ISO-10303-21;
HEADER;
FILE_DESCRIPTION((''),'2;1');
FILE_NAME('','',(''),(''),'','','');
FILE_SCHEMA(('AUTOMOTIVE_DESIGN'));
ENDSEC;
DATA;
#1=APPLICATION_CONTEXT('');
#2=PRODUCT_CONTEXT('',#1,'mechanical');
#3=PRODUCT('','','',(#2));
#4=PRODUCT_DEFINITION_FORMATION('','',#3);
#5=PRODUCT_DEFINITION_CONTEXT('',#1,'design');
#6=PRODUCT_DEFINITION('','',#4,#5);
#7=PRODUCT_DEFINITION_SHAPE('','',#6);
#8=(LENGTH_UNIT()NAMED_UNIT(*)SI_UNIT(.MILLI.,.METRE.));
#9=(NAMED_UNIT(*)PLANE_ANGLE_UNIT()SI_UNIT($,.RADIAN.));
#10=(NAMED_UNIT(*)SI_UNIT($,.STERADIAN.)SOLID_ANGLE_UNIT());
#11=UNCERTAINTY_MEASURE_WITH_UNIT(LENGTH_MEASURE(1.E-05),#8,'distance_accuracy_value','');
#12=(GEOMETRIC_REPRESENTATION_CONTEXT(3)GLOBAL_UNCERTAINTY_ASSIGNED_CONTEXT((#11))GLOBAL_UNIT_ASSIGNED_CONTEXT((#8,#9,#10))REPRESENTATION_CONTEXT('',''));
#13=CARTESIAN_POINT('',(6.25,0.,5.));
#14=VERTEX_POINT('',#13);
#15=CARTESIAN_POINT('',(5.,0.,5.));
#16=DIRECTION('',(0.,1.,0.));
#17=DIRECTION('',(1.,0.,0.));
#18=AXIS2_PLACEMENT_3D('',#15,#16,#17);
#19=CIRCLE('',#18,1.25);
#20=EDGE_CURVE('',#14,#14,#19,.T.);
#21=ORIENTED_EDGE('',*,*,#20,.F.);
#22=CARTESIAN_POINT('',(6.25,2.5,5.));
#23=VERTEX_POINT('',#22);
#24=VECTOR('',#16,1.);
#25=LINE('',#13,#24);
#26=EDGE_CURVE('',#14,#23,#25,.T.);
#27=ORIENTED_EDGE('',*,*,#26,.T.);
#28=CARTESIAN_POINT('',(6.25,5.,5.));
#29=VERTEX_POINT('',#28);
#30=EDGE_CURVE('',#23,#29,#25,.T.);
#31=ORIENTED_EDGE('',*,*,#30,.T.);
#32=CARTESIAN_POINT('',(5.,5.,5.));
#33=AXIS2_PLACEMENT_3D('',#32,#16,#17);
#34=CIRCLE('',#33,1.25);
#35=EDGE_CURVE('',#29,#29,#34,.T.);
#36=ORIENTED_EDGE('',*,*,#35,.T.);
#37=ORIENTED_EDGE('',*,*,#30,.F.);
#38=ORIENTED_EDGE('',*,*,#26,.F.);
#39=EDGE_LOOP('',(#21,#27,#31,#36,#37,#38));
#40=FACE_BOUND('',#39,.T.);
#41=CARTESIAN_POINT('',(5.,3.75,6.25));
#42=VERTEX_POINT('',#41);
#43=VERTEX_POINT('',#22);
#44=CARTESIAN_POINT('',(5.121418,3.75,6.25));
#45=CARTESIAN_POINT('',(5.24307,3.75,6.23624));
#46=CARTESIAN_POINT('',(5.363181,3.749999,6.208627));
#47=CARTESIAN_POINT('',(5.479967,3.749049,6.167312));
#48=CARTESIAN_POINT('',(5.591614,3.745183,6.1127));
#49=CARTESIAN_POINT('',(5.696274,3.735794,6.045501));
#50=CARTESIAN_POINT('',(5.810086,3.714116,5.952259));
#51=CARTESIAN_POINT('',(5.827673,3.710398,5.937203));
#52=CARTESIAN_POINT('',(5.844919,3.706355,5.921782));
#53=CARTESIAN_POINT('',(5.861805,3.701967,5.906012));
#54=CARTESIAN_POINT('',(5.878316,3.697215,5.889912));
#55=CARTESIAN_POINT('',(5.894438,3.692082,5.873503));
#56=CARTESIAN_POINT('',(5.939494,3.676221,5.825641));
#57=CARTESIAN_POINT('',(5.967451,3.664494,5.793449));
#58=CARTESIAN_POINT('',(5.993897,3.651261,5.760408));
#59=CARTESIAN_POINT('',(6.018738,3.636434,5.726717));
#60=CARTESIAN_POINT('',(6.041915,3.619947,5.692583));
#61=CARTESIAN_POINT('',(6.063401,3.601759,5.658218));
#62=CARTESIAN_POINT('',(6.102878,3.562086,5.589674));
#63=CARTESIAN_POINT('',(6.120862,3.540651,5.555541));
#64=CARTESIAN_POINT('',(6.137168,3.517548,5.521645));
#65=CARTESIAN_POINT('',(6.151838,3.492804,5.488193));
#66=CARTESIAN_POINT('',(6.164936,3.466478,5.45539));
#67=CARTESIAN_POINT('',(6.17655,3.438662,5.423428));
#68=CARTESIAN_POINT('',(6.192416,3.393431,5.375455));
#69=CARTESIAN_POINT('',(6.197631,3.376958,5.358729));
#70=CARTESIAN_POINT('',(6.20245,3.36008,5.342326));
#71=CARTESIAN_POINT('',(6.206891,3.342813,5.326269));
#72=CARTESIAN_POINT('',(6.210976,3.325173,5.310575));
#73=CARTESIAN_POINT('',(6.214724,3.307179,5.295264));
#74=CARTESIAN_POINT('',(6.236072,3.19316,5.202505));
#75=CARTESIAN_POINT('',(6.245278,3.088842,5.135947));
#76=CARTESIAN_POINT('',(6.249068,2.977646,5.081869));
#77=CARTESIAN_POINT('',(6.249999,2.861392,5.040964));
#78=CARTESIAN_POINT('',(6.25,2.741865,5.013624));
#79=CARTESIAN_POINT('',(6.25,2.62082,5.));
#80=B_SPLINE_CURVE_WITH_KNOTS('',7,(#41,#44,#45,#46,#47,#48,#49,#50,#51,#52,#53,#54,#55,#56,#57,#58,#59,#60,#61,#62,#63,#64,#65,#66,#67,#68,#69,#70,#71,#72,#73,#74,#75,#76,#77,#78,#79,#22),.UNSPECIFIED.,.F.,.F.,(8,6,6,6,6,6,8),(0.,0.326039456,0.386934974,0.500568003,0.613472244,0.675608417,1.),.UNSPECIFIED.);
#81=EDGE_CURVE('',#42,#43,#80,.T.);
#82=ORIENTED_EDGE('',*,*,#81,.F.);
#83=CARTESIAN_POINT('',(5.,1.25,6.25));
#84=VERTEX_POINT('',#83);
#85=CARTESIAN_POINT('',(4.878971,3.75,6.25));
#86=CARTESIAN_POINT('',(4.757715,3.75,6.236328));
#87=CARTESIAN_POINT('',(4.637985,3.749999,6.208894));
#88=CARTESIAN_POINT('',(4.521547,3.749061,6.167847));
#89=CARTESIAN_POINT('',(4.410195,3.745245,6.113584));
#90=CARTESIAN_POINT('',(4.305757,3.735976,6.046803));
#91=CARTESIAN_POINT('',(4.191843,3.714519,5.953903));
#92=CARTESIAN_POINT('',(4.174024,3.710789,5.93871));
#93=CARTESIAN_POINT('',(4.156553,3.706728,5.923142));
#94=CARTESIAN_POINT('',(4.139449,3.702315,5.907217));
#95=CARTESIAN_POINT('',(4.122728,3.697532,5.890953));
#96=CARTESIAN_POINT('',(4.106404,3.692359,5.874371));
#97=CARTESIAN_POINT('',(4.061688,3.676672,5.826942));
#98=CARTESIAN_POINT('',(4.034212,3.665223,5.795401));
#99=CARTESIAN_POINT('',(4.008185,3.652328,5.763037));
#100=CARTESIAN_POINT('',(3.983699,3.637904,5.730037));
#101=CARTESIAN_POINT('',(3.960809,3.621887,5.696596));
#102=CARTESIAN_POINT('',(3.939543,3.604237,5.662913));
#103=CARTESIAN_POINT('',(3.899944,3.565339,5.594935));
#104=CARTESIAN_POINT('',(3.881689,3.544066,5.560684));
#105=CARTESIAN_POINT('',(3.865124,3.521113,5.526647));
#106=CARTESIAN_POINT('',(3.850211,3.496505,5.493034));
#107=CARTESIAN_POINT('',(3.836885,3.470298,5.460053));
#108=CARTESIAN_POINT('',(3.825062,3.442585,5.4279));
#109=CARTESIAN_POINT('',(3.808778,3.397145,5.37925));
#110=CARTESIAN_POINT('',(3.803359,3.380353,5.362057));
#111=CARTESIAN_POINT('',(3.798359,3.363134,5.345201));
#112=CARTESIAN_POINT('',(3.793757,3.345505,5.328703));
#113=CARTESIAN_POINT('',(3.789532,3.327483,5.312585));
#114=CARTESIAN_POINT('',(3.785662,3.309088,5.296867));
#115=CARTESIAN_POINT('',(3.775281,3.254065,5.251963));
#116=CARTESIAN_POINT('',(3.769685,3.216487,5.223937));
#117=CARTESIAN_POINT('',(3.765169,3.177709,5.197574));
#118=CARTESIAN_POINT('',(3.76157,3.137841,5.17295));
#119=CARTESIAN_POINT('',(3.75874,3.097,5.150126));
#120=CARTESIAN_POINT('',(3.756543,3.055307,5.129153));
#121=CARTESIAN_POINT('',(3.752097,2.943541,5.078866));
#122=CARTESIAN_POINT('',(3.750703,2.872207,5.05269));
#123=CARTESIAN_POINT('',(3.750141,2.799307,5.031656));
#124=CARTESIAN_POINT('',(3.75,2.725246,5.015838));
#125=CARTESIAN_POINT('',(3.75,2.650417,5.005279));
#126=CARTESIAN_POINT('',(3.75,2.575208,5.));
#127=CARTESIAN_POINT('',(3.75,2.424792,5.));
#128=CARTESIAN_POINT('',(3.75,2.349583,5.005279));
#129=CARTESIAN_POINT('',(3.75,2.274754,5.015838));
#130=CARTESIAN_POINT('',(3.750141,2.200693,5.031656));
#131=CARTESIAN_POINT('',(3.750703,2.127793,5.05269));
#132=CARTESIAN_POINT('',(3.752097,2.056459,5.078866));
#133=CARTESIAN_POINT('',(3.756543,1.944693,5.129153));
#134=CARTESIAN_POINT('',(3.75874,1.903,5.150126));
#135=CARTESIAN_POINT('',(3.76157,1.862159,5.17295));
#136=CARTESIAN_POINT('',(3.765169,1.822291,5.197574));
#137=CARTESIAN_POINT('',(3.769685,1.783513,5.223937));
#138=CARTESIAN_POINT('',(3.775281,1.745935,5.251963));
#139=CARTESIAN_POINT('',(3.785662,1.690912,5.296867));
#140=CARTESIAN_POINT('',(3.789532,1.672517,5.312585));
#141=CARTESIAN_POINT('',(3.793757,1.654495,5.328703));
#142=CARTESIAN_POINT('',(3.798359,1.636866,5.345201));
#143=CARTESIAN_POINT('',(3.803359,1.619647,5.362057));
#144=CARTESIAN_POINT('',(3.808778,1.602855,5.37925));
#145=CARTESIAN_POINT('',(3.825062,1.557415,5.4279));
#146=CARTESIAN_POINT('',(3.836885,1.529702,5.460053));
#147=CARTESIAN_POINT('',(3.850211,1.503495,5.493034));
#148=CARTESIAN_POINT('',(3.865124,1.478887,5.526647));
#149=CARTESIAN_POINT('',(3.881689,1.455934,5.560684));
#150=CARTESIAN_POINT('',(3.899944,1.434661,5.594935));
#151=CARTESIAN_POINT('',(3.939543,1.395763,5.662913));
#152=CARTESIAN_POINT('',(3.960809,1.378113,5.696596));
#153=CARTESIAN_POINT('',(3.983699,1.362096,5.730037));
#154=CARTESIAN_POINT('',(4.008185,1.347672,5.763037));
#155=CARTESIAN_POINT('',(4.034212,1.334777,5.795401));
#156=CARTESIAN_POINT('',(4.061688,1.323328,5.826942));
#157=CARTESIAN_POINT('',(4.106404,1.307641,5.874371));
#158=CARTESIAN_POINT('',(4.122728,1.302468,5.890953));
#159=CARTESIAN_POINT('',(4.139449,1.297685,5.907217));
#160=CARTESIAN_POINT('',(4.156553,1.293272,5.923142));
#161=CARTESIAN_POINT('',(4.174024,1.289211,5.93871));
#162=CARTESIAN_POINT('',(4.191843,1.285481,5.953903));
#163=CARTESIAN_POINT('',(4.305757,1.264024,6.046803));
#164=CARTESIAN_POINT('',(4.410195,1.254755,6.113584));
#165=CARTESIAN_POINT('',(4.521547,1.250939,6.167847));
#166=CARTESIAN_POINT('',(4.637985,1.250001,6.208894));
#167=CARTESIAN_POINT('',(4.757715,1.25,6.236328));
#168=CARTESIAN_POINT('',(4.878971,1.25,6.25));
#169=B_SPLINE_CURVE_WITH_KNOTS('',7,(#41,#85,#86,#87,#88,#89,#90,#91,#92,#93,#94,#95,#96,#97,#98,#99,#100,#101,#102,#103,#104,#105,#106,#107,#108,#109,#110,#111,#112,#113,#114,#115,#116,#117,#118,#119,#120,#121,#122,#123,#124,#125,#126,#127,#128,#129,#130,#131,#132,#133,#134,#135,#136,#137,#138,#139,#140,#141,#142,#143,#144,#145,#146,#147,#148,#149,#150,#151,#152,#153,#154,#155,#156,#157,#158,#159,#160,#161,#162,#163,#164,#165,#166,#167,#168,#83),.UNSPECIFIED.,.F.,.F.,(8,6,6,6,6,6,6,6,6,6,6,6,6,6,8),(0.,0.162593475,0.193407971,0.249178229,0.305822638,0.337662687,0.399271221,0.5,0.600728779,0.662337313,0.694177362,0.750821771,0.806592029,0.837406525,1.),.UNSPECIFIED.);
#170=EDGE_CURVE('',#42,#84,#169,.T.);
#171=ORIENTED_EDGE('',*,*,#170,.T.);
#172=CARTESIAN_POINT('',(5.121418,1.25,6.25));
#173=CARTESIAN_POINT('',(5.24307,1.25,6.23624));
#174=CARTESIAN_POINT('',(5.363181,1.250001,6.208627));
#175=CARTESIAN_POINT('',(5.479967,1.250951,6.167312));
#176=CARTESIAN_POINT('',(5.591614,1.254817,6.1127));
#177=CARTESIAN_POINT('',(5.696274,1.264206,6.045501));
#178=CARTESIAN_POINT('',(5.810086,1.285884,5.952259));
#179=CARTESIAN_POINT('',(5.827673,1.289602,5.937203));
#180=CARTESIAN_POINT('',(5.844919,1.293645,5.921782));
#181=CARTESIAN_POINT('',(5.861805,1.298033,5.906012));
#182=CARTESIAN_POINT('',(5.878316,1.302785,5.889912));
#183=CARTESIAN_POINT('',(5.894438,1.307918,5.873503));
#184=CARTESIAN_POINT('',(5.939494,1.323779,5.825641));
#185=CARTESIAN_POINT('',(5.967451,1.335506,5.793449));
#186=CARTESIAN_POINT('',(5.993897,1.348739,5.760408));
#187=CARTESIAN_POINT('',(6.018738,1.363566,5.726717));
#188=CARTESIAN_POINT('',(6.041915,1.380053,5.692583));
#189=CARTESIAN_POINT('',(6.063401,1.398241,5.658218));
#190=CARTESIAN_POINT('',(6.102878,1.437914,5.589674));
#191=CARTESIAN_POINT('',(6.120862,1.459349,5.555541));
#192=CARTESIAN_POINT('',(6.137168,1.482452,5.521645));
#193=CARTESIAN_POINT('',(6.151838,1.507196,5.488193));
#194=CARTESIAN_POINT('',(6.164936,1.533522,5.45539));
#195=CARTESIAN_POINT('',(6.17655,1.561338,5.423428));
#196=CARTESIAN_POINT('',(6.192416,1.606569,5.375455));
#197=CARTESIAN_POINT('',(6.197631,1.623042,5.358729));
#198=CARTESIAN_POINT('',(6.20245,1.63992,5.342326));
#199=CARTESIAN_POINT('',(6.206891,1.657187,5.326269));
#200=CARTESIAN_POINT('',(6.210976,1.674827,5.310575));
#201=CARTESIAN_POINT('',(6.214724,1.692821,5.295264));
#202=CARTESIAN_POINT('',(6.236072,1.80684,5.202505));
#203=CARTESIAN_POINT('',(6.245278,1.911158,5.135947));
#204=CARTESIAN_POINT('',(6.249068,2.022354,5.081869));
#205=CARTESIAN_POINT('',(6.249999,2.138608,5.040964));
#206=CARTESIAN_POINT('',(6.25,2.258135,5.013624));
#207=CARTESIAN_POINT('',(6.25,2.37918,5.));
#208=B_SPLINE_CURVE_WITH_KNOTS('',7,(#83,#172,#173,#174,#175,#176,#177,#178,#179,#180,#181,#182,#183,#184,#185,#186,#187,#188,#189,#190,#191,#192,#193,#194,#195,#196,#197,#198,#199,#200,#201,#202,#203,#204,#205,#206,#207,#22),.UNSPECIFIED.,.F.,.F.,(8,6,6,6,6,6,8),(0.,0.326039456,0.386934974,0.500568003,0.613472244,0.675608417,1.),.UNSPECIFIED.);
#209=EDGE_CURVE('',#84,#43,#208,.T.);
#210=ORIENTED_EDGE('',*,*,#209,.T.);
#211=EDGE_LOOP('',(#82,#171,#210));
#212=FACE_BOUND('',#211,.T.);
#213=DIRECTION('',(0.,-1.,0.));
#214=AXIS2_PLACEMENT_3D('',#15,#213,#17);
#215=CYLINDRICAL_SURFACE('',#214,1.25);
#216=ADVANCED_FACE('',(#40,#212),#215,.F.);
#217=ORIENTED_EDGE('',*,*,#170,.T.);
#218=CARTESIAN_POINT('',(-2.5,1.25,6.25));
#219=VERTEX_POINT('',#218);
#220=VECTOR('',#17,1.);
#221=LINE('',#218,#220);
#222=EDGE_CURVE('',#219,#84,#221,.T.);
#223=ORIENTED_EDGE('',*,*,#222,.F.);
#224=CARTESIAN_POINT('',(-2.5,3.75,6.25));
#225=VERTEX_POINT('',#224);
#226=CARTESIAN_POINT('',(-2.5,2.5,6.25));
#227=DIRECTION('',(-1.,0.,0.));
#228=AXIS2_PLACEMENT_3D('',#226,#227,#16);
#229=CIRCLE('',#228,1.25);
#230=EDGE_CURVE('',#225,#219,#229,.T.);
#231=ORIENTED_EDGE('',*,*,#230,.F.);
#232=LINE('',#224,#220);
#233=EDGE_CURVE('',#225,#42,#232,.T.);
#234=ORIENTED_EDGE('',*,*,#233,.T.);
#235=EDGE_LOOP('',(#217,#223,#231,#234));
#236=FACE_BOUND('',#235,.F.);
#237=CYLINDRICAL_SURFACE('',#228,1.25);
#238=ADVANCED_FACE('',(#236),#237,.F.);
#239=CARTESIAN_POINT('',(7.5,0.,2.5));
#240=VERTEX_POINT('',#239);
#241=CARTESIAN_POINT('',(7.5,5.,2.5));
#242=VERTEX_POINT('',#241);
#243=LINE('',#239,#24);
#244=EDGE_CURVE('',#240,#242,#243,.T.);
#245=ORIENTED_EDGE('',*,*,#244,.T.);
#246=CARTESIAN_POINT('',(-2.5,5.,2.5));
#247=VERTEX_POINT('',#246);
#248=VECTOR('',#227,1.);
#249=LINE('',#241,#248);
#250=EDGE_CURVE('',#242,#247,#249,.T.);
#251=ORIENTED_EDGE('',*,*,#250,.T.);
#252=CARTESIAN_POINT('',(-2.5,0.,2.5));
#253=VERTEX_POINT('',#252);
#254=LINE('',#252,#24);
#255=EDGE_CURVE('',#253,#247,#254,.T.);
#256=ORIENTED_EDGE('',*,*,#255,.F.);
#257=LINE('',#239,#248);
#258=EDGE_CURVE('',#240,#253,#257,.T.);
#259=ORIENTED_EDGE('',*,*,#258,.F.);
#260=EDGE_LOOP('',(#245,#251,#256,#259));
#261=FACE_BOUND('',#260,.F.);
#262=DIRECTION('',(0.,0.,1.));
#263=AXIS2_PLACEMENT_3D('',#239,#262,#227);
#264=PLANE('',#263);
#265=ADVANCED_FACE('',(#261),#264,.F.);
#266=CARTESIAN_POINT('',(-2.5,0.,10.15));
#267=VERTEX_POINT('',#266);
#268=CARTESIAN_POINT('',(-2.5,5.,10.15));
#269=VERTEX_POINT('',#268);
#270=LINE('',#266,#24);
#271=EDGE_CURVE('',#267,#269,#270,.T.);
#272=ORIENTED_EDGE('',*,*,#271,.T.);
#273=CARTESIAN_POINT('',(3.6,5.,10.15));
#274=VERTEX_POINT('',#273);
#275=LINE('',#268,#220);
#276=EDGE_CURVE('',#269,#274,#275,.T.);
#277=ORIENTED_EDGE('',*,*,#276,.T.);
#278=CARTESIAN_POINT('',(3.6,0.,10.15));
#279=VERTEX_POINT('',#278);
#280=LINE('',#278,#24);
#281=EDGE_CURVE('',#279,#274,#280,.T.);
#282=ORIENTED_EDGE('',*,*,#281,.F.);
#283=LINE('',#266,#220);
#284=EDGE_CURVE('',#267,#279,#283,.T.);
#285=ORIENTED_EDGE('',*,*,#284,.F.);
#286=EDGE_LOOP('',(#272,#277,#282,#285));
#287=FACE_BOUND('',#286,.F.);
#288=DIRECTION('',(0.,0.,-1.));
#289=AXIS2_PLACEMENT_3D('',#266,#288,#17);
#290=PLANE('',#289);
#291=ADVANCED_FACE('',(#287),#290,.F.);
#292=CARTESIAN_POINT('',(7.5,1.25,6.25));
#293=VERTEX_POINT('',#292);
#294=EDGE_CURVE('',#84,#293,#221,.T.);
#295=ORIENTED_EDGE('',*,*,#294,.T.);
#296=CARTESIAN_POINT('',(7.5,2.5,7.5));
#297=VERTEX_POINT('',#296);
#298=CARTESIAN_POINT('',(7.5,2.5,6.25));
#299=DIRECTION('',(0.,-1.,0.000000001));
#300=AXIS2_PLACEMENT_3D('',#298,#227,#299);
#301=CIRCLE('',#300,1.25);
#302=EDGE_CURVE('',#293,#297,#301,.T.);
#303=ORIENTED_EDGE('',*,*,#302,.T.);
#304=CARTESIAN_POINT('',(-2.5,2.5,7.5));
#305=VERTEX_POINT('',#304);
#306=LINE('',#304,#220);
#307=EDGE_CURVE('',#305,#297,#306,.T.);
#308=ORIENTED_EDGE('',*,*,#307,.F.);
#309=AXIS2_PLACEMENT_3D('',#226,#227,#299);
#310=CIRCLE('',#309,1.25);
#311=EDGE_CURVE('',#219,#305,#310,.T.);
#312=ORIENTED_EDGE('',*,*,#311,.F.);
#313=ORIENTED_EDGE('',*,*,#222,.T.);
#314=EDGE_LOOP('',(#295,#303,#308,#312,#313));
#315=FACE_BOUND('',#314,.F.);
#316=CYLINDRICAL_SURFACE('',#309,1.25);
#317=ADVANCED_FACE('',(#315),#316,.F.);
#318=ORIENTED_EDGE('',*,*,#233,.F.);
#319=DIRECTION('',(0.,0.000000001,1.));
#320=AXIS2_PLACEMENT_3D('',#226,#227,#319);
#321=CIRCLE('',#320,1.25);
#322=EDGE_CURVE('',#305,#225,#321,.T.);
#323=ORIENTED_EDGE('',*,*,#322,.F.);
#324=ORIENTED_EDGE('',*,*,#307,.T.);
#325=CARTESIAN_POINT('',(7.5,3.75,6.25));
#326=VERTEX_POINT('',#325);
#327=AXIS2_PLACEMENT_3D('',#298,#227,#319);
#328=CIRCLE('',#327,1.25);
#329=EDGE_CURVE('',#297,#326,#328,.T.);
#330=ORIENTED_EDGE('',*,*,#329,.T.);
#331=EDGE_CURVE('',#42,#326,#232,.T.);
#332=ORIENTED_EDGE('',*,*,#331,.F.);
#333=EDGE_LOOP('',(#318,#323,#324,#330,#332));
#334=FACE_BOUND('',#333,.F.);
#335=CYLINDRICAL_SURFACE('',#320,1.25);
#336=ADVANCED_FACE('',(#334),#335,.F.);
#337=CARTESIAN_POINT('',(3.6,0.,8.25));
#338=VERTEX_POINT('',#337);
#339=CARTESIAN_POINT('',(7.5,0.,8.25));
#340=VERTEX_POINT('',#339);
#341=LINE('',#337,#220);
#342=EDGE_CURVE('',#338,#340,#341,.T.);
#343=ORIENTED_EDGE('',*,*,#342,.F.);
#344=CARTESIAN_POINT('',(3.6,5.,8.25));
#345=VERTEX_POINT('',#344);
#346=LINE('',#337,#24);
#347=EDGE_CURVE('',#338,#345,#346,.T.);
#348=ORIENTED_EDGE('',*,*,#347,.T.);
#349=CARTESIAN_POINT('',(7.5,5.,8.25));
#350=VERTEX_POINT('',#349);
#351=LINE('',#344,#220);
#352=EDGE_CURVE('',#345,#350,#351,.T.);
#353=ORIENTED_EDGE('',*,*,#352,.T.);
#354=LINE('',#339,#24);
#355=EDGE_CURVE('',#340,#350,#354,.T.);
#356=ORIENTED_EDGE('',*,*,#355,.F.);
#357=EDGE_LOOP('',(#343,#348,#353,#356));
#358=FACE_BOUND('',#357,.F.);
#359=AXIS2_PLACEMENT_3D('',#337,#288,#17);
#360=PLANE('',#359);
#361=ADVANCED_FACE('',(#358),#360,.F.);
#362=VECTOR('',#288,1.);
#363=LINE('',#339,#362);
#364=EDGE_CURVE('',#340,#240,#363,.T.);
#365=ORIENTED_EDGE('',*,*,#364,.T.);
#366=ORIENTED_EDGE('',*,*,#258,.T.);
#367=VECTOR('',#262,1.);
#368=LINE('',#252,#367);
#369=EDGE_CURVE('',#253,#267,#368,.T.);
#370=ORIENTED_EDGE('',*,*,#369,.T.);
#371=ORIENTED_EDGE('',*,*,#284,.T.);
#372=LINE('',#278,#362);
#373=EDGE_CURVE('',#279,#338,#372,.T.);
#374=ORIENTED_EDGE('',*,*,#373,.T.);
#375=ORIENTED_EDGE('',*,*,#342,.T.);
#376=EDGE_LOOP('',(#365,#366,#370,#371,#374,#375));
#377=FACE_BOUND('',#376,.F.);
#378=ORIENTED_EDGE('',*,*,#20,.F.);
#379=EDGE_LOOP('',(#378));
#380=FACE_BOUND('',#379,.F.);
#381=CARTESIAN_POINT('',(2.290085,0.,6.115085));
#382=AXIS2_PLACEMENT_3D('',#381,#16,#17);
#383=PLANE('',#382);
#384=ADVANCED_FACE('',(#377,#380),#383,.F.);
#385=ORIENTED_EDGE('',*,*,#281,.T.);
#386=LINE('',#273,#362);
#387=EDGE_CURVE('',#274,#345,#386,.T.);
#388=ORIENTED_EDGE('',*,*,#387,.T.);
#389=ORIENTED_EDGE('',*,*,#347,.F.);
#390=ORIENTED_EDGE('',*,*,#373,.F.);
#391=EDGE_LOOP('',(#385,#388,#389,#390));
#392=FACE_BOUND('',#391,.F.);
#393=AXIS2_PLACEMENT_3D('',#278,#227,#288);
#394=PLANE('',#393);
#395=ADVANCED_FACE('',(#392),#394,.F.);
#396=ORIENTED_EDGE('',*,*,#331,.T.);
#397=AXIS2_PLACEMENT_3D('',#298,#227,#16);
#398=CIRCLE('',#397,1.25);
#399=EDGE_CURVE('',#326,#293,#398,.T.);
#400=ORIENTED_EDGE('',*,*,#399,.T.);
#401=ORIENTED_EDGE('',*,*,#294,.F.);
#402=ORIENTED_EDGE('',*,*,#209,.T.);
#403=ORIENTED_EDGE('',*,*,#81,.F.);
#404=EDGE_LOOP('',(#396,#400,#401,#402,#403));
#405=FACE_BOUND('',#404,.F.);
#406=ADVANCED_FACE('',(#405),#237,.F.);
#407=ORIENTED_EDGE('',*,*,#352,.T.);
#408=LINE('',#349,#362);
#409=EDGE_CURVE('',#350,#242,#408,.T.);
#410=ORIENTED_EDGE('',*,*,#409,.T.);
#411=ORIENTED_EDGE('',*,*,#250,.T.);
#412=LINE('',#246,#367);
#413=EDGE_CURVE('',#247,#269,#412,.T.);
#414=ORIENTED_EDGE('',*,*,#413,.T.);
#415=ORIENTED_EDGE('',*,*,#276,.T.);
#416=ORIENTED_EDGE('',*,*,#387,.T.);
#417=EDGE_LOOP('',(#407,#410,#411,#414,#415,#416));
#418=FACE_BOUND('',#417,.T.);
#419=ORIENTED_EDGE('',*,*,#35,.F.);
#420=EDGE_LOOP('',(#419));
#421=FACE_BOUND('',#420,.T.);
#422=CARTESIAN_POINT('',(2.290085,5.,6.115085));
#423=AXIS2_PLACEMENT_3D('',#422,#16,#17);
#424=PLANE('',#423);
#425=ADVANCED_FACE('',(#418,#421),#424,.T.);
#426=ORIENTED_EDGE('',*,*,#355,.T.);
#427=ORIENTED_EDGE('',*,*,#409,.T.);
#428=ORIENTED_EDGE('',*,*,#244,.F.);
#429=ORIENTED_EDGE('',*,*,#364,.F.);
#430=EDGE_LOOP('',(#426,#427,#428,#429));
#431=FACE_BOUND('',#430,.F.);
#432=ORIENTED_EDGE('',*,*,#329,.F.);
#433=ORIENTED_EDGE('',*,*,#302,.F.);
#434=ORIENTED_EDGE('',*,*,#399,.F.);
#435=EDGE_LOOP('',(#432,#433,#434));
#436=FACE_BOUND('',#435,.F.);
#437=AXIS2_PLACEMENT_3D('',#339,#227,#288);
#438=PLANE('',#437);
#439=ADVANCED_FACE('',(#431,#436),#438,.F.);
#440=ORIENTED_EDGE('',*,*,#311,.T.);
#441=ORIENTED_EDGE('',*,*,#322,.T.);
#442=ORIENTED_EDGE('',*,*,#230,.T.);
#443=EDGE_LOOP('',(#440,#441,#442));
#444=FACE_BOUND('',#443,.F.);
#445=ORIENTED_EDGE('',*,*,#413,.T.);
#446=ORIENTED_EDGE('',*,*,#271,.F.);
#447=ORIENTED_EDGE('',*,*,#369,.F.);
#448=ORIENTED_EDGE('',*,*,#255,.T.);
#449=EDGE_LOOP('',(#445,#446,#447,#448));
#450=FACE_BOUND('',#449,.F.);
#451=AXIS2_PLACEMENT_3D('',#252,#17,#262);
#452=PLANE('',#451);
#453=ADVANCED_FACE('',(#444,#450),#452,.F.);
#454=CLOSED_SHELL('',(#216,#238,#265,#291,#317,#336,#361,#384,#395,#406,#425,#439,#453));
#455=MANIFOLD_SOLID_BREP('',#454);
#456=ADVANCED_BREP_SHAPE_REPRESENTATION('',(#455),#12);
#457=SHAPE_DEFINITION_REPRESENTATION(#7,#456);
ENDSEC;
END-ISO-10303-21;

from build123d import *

# Parameters (mm, degrees)
SKETCH4_R           = 1.25
BOSS_EXTRUDE1_DEPTH = 5
CUT_EXTRUDE1_DEPTH  = 10


with BuildPart() as part:
    # Sketch4 → Boss-Extrude1 (new body)
    with BuildSketch(Plane(origin=(0, 0, 0), x_dir=(1, 0, 0), z_dir=(0, 1, 0))):
        Polygon((3.6, -10.15), (3.6, -8.25), (7.5, -8.25), (7.5, -2.5), (-2.5, -2.5), (-2.5, -10.15), align=None)
        with Locations((5, -5)):
            Circle(SKETCH4_R, mode=Mode.SUBTRACT)
    extrude(amount=BOSS_EXTRUDE1_DEPTH)

    # Sketch5 → Cut-Extrude1 (cut)
    with BuildSketch(Plane.ZY.offset(2.5)):
        with BuildLine():
            ThreePointArc((6.25, 3.75), (5, 2.5), (6.25, 1.25))
            Line((6.25, 1.25), (6.25, 3.75))
        make_face()
        with BuildLine():
            Line((6.25, 3.75), (6.25, 1.25))
            ThreePointArc((6.25, 1.25), (7.133883476, 1.616116524), (7.5, 2.5))
            ThreePointArc((7.5, 2.5), (7.133883476, 3.383883476), (6.25, 3.75))
        make_face()
    extrude(amount=-CUT_EXTRUDE1_DEPTH, mode=Mode.SUBTRACT)


solid = part.part
